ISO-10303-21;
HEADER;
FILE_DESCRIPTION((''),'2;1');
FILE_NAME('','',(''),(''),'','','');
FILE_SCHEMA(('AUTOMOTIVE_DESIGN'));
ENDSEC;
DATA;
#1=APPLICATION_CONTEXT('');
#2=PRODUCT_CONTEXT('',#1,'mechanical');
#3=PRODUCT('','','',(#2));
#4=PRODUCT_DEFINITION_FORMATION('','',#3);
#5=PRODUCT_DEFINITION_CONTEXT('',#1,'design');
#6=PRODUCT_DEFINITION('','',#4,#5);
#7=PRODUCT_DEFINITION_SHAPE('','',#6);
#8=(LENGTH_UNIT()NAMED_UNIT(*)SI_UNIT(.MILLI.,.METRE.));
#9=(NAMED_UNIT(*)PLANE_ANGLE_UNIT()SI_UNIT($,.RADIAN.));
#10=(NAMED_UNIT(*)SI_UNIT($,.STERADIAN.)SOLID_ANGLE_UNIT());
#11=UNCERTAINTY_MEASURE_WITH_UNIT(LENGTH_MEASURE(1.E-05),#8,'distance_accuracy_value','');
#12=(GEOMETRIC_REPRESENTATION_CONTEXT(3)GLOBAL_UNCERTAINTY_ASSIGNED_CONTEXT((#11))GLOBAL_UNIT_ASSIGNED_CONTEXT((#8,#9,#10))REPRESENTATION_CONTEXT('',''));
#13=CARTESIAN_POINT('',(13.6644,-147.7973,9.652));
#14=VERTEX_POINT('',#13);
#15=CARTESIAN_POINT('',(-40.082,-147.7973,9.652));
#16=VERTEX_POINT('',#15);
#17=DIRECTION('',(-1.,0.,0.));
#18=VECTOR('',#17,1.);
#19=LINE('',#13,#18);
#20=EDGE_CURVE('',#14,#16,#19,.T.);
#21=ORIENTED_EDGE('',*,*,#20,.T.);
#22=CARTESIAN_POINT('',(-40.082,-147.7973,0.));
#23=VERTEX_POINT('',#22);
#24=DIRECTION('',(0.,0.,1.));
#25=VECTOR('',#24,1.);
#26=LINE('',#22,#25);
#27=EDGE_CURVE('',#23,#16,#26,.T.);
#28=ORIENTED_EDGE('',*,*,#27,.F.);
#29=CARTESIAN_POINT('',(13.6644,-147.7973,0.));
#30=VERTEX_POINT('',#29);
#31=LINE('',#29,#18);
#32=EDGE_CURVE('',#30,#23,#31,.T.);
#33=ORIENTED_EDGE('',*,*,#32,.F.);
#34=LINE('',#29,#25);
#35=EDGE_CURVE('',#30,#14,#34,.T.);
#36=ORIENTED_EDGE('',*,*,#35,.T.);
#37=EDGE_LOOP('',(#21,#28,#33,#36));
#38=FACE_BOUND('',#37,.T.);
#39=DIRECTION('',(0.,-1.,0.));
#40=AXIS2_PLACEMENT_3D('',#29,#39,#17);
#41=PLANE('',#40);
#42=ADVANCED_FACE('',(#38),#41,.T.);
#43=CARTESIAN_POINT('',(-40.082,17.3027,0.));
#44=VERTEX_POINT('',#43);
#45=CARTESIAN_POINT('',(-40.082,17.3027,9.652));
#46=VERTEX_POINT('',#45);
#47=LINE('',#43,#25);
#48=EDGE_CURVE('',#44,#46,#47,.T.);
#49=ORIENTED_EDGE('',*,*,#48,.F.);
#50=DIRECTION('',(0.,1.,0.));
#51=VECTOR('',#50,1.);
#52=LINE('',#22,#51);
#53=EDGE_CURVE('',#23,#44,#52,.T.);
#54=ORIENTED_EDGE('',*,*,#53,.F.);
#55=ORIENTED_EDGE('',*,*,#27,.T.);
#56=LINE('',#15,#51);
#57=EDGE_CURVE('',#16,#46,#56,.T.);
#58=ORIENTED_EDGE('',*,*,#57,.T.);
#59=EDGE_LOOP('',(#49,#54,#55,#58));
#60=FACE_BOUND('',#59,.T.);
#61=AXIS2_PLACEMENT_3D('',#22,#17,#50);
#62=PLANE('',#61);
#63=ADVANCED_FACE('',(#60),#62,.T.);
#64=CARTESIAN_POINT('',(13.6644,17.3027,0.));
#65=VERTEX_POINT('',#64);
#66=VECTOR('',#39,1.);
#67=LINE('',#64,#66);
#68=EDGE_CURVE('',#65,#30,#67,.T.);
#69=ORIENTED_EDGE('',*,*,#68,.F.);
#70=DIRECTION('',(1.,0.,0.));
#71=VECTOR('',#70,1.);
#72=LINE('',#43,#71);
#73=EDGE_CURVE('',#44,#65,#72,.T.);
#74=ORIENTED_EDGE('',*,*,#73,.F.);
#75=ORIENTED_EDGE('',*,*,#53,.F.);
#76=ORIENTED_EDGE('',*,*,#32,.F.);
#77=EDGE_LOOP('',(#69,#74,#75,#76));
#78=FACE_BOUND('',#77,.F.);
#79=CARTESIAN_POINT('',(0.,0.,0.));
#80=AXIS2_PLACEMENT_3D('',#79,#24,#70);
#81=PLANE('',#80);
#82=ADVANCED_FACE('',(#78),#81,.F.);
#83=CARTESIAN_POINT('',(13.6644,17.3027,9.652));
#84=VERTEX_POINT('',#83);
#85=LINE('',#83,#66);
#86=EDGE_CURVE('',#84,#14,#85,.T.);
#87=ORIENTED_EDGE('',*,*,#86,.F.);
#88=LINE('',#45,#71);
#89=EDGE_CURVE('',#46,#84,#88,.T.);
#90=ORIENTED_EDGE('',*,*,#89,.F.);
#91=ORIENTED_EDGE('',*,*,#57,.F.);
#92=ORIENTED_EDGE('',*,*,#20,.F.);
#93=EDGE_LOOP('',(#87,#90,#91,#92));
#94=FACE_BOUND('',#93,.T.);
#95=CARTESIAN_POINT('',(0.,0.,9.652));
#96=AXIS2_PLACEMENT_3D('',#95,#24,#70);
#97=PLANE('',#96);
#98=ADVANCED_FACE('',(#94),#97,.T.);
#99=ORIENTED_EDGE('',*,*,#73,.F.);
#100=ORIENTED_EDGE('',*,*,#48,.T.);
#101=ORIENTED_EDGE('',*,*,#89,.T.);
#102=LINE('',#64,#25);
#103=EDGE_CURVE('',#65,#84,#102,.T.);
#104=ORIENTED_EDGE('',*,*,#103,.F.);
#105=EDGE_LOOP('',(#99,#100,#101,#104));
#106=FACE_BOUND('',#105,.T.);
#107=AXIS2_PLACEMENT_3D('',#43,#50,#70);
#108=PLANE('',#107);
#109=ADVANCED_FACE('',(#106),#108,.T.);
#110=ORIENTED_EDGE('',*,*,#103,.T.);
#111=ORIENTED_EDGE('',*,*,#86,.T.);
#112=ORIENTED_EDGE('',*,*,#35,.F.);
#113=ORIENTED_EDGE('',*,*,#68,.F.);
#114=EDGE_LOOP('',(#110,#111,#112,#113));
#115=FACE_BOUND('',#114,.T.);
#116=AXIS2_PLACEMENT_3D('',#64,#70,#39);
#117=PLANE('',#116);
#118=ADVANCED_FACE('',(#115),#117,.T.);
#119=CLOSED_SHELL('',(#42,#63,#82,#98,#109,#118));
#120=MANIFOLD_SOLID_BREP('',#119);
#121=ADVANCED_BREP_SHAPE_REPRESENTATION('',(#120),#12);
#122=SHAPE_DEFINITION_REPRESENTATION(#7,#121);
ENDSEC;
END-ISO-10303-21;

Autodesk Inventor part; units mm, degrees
ref_plane "YZ Plane" through (0, 0, 0) normal (1, 0, 0) x (0, 1, 0)
ref_plane "XZ Plane" through (0, 0, 0) normal (0, 1, 0) x (-1, 0, 0)
ref_plane "XY Plane" through (0, 0, 0) normal (0, 0, 1) x (1, 0, 0)
sketch "Sketch1" plane through (0, 0, 0) normal (0, 0, 1) x (1, 0, 0)
  line L0 (-40.082, 17.3027) -> (13.6644, 17.3027)
  line L1 (13.6644, 17.3027) -> (13.6644, -147.7973)
  line L2 (13.6644, -147.7973) -> (-40.082, -147.7973)
  line L3 (-40.082, -147.7973) -> (-40.082, 17.3027)
  point P0 (0, 0)
  dimension "d0" = 165.1
  dimension "d1" = 53.7464
extrude "Extrusion1" add sketch "Sketch1" along normal blind 9.652
properties part number "Hew Breadboard"
